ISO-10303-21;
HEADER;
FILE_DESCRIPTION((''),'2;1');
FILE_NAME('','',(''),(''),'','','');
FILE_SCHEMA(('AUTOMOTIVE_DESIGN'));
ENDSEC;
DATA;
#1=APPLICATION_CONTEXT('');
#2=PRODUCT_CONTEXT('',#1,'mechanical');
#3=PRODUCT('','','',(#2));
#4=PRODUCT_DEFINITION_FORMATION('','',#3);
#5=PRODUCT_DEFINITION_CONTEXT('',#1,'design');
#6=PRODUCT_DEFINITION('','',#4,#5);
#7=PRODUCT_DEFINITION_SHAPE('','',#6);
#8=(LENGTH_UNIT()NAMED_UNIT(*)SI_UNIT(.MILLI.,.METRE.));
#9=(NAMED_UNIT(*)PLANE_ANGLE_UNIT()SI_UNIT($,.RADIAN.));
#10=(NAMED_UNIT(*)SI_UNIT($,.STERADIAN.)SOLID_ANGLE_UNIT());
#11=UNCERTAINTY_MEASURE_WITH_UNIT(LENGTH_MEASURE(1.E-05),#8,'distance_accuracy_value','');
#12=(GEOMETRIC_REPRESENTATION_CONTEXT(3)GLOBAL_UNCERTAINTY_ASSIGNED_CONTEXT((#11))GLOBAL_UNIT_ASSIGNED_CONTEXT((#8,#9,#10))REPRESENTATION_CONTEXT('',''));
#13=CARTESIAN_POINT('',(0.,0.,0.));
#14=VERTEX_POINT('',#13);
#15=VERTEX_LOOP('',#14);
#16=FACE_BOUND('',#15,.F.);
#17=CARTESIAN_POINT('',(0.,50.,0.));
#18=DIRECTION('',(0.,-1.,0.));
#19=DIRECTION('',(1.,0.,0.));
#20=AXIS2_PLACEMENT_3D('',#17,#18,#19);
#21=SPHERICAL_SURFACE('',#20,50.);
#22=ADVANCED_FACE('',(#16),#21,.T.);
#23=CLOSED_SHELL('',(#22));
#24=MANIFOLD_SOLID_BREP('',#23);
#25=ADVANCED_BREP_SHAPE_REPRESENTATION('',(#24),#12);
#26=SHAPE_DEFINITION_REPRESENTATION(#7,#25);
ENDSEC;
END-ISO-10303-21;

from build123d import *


with BuildPart() as part:
    # Szkic1 → Obrót4 (revolve)
    with BuildSketch(Plane.XY):
        with BuildLine():
            Line((0, 0), (0, 100))
            ThreePointArc((0, 100), (50, 50), (0, 0))
        make_face()
    revolve(axis=Axis((0, 0, 0), (0, 1, 0)))


solid = part.part
